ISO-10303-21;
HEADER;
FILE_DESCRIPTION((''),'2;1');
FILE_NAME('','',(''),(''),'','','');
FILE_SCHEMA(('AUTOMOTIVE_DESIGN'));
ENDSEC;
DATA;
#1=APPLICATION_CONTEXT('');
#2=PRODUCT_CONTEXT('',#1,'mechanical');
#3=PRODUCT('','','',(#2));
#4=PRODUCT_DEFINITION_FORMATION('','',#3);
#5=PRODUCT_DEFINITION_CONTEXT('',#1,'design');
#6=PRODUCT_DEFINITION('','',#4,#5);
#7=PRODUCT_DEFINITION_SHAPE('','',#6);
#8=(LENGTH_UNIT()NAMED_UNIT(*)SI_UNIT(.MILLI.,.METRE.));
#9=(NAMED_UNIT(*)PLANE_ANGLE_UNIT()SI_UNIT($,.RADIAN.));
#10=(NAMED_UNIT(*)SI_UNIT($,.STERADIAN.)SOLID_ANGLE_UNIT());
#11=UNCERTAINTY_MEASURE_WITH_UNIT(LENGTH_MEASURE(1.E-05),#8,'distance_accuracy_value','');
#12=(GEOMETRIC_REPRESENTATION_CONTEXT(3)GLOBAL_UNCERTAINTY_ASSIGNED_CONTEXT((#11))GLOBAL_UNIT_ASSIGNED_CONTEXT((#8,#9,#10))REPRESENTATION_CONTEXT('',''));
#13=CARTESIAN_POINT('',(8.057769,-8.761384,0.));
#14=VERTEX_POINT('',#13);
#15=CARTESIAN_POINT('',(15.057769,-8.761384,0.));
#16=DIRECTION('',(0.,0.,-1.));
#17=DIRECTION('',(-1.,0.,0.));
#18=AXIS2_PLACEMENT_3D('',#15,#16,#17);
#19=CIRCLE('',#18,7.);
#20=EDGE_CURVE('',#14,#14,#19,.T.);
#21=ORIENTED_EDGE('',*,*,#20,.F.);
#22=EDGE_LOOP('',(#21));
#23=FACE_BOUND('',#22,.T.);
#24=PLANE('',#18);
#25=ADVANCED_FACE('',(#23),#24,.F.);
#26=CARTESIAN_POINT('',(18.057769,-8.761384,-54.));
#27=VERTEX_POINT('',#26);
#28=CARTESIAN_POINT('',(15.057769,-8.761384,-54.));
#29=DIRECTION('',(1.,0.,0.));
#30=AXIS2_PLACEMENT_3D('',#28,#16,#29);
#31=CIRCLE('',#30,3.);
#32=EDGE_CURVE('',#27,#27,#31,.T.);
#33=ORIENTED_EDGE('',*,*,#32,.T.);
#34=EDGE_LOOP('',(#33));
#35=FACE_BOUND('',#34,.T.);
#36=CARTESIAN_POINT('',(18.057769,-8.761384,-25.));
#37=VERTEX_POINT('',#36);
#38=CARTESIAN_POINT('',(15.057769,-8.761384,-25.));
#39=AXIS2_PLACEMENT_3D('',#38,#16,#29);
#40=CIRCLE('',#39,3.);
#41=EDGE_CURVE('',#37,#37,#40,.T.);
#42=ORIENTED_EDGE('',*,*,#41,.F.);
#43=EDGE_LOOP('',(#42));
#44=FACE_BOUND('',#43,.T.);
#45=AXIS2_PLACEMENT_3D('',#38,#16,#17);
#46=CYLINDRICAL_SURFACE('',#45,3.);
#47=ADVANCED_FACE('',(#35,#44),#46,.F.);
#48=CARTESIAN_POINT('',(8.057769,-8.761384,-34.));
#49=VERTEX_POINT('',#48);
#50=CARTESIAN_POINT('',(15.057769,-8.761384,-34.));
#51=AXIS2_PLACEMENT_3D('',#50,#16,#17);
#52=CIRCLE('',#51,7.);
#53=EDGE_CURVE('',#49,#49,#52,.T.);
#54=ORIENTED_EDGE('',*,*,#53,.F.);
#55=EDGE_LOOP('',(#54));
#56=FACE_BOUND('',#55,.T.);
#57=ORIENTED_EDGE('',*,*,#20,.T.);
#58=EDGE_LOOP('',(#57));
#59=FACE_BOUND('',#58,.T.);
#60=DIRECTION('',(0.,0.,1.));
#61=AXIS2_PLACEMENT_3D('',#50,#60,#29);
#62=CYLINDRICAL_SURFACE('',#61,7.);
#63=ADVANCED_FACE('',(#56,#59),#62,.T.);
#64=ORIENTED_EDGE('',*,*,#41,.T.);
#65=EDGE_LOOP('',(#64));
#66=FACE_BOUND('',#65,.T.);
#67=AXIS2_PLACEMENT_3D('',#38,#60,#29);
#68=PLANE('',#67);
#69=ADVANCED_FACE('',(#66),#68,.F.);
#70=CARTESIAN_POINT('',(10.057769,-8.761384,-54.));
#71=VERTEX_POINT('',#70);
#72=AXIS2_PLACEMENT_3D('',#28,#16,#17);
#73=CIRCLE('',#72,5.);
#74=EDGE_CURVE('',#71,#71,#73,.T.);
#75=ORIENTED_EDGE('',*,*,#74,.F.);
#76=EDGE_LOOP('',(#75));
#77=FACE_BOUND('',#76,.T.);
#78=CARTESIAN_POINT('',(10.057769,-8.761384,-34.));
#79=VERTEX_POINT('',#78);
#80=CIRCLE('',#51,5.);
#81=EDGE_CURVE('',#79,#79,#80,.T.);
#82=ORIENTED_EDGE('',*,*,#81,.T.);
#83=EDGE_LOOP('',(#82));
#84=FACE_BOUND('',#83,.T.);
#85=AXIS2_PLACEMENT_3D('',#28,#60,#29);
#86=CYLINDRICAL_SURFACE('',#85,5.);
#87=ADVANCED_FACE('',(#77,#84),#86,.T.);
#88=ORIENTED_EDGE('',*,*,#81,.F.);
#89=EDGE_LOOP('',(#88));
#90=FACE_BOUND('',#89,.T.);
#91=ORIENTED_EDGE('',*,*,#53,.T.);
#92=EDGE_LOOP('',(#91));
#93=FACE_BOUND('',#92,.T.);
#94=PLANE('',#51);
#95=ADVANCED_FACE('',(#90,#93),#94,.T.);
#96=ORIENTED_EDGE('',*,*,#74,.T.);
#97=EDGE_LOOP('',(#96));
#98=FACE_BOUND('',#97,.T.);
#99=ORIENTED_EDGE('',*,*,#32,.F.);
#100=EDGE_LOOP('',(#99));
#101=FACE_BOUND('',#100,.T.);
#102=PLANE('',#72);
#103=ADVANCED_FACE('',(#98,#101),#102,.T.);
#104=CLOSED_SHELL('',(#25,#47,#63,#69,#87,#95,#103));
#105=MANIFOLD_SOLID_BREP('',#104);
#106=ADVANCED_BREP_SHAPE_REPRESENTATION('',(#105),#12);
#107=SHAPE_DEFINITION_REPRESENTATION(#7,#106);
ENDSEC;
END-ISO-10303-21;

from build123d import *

# Parameters (mm, degrees)
SKETCH2_R           = 7
BOSS_EXTRUDE2_DEPTH = 34
SKETCH3_R           = 5
BOSS_EXTRUDE3_DEPTH = 20
SKETCH4_R           = 3
CUT_EXTRUDE1_DEPTH  = 29


with BuildPart() as part:
    # Sketch2 → Boss-Extrude2 (new body)
    with BuildSketch(Plane(origin=(0, 0, 0), x_dir=(-1, 0, 0), z_dir=(0, 0, -1))):
        with Locations((-15.057769352, -8.761383704)):
            Circle(SKETCH2_R)
    extrude(amount=BOSS_EXTRUDE2_DEPTH)

    # Sketch3 → Boss-Extrude3 (add)
    with BuildSketch(Plane(origin=(0, 0, -34), x_dir=(-1, 0, 0), z_dir=(0, 0, -1))):
        with Locations((-15.057769352, -8.761383704)):
            Circle(SKETCH3_R)
    extrude(amount=BOSS_EXTRUDE3_DEPTH)

    # Sketch4 → Cut-Extrude1 (cut)
    with BuildSketch(Plane(origin=(0, 0, -54), x_dir=(-1, 0, 0), z_dir=(0, 0, -1))):
        with Locations(Location((-15.057769352, -8.761383704, 0), (0, 0, 180))):
            Circle(SKETCH4_R)
    extrude(amount=-CUT_EXTRUDE1_DEPTH, mode=Mode.SUBTRACT)


solid = part.part
